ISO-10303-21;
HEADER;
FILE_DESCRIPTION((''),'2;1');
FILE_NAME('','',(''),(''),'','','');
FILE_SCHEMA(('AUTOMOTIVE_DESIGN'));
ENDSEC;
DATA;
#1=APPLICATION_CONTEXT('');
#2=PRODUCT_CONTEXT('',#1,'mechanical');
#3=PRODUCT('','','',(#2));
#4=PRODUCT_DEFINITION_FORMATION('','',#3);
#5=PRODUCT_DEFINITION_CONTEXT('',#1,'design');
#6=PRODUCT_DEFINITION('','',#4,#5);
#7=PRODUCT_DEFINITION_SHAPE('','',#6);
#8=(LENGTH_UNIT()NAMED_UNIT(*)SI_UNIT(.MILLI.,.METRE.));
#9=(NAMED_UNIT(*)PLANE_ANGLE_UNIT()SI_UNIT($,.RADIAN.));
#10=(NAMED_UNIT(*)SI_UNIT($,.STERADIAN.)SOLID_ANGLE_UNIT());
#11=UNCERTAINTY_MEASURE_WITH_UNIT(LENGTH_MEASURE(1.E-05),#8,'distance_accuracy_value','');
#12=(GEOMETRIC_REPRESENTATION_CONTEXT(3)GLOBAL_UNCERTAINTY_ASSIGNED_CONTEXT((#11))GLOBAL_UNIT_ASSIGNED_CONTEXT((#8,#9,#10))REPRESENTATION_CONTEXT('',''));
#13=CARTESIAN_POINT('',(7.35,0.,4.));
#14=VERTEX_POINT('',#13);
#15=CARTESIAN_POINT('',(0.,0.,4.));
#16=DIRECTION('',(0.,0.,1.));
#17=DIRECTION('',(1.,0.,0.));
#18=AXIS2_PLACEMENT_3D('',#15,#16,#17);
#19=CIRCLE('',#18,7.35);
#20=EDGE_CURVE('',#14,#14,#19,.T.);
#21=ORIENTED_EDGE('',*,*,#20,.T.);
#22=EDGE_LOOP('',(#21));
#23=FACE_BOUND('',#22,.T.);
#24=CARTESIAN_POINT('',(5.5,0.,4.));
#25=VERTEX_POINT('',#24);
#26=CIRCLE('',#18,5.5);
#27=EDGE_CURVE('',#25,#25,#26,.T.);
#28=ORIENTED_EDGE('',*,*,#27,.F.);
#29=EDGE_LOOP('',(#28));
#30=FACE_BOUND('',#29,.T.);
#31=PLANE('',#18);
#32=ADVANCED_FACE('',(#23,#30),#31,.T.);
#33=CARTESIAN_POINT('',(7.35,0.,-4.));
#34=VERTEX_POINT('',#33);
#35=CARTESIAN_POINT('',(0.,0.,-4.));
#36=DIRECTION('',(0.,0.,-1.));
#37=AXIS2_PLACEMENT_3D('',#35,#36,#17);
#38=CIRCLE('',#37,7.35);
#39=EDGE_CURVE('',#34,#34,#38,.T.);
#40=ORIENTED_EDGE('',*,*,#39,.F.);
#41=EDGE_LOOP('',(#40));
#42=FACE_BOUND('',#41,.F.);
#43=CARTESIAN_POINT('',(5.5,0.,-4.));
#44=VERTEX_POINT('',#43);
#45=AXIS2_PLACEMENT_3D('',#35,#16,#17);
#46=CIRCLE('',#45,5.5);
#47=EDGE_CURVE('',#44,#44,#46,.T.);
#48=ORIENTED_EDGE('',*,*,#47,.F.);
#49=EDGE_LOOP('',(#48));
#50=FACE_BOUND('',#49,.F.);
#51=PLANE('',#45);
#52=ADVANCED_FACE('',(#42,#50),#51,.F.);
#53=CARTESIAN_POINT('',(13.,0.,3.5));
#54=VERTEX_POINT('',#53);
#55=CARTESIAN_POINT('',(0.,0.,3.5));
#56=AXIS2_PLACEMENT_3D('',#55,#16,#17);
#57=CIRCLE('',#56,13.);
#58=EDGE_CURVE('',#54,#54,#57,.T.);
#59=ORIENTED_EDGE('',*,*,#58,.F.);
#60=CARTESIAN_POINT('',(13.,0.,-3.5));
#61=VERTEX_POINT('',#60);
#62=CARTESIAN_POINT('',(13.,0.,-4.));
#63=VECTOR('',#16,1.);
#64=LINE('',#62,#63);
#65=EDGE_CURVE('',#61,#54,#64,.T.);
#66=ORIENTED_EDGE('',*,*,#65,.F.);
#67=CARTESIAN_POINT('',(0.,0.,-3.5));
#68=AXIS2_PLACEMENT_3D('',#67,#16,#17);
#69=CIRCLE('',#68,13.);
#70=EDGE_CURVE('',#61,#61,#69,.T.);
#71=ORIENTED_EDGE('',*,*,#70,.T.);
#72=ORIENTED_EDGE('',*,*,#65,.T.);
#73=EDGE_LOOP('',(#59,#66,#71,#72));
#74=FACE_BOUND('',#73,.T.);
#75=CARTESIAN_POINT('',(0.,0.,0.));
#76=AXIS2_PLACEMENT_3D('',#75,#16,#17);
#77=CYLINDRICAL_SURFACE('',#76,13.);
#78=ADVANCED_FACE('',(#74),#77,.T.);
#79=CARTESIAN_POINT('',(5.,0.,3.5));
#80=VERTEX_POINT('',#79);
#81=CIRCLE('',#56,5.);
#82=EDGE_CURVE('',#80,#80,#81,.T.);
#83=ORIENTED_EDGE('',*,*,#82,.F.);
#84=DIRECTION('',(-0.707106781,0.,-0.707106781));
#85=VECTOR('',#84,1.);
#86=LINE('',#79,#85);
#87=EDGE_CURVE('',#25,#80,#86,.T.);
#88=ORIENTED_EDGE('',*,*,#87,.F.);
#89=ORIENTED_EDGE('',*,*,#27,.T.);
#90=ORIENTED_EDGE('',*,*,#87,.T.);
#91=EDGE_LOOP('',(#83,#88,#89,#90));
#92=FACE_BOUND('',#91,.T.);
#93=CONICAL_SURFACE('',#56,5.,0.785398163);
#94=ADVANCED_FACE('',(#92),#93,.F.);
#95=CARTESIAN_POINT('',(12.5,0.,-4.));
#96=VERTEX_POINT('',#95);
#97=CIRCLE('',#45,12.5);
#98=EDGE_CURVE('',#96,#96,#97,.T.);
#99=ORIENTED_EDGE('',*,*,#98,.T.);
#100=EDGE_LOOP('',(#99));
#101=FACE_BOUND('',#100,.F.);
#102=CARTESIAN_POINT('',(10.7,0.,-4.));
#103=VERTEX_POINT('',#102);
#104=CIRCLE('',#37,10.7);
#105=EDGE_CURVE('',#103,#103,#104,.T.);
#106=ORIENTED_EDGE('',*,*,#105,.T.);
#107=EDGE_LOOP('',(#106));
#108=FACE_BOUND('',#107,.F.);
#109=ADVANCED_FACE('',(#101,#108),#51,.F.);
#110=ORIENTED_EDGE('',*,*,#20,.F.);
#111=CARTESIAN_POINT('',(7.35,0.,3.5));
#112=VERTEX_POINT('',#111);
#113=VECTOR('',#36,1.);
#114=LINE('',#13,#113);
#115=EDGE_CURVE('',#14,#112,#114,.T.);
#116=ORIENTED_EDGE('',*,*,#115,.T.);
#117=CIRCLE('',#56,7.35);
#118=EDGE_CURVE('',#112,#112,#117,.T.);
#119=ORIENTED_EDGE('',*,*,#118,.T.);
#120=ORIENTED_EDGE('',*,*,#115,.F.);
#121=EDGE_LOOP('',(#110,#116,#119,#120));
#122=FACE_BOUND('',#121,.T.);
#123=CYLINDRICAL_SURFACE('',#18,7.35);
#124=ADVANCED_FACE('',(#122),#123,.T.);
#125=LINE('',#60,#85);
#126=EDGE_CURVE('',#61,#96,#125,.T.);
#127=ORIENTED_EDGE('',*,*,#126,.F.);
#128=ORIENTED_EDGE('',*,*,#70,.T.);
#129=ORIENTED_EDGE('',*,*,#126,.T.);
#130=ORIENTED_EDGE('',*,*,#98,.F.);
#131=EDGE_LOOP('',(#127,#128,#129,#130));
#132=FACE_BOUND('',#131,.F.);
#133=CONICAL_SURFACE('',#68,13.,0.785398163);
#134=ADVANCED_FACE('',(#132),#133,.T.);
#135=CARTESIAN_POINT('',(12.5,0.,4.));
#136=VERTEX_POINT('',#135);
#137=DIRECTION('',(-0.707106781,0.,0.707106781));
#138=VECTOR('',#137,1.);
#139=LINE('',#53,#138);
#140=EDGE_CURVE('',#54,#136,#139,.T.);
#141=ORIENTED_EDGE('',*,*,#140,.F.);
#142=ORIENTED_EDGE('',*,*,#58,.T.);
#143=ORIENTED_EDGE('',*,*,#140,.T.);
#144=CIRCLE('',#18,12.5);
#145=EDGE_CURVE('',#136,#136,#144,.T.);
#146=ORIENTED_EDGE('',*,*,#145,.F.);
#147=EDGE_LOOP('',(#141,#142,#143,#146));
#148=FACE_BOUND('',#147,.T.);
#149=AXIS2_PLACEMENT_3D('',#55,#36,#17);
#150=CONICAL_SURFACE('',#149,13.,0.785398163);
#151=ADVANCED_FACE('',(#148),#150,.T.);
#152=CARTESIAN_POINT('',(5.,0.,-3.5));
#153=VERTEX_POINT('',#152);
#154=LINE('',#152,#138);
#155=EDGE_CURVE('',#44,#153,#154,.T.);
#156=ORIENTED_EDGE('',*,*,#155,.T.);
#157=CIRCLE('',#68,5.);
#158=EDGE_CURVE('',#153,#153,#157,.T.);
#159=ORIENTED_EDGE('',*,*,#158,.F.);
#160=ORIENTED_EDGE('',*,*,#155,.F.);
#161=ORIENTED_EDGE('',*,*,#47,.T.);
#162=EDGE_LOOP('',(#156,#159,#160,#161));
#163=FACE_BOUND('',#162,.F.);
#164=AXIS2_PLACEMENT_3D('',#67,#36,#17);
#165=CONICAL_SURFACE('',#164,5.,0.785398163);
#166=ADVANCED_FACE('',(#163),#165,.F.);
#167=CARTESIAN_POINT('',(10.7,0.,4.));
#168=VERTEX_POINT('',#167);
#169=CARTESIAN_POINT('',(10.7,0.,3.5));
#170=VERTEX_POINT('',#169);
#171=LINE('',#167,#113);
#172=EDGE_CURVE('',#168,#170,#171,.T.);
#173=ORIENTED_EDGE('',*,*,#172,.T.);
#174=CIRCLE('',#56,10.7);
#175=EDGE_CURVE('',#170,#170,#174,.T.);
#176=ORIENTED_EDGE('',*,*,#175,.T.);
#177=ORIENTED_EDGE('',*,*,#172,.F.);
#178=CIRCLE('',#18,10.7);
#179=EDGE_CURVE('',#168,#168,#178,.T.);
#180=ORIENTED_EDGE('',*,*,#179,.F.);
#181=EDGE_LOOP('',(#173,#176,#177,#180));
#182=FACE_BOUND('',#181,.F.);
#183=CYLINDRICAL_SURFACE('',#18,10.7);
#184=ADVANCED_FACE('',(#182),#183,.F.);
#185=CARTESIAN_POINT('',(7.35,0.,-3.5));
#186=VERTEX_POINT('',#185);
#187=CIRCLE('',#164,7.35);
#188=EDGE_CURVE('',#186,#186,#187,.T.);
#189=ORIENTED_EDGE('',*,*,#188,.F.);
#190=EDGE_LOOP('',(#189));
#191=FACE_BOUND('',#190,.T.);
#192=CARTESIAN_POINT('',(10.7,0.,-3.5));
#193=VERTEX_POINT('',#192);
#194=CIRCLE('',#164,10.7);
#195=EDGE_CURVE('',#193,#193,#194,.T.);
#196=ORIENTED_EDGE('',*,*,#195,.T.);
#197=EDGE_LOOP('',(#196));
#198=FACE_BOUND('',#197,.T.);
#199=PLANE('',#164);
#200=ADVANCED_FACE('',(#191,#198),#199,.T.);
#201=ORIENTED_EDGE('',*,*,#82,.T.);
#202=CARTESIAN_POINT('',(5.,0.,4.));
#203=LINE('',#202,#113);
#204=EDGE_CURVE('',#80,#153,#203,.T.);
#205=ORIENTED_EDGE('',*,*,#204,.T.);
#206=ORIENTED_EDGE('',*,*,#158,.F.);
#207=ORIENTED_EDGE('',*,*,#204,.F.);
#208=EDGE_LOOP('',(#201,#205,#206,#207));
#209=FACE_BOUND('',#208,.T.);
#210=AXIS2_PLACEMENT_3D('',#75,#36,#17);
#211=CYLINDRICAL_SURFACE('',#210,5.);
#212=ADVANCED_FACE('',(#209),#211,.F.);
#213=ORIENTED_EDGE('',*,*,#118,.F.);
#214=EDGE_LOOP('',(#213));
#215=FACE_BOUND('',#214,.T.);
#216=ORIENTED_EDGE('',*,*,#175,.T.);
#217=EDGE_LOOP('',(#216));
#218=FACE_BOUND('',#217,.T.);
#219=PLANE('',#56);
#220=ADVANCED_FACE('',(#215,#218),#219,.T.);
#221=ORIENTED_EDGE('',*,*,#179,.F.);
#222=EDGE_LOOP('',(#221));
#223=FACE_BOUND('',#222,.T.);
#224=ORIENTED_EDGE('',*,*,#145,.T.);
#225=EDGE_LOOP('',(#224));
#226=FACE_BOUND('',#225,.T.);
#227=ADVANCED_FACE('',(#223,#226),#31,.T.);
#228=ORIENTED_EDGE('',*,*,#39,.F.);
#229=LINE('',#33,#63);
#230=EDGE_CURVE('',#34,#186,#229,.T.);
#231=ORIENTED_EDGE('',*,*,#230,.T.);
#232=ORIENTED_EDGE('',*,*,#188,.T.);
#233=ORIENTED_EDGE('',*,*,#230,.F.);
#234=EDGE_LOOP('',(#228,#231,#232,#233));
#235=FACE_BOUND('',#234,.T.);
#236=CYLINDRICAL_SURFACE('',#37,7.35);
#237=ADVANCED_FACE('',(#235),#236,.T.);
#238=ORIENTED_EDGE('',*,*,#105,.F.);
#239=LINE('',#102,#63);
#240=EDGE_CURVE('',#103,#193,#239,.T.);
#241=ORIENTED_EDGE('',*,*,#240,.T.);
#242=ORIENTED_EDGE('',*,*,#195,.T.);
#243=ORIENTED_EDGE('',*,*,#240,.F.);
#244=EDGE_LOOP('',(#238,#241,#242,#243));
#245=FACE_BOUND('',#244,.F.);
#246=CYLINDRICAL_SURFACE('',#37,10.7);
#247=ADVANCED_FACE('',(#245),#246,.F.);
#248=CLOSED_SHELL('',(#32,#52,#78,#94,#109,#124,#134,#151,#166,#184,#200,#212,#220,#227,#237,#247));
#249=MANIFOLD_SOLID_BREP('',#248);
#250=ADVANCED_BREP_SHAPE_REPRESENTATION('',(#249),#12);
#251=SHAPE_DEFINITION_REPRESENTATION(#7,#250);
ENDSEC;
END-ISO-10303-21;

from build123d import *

# Parameters (mm, degrees)
F0_R     = 13
F0_R_2   = 5
F1_DEPTH = 4
F2_R     = 10.7
F2_R_2   = 7.35
F3_DEPTH = 0.5
F4_R     = 10.7
F4_R_2   = 7.35
F5_DEPTH = 0.5
F6_SIZE  = 0.5


with BuildPart() as f1:
    # F0 (on Top) → F1 (new body, symmetric)
    with BuildSketch(Plane.XY):
        Circle(F0_R)
        Circle(F0_R_2, mode=Mode.SUBTRACT)
    extrude(amount=F1_DEPTH, both=True)

    # F2 (on face) → F3 (cut)
    with BuildSketch(Plane(origin=(0, 0, -4), x_dir=(1, 0, 0), z_dir=(0, 0, -1))):
        Circle(F2_R)
        Circle(F2_R_2, mode=Mode.SUBTRACT)
    extrude(amount=-F3_DEPTH, mode=Mode.SUBTRACT)

    # F4 (on face) → F5 (cut)
    with BuildSketch(Plane.XY.offset(4)):
        Circle(F4_R)
        Circle(F4_R_2, mode=Mode.SUBTRACT)
    extrude(amount=-F5_DEPTH, mode=Mode.SUBTRACT)

    # F6
    f6_edges = [f1.edges().sort_by_distance(p)[0] for p in [
        (-13, 0, -4),
        (-13, 0, 4),
        (-5, 0, -4),
        (-5, 0, 4),
    ]]
    chamfer(f6_edges, length=F6_SIZE)


solid = f1.part
